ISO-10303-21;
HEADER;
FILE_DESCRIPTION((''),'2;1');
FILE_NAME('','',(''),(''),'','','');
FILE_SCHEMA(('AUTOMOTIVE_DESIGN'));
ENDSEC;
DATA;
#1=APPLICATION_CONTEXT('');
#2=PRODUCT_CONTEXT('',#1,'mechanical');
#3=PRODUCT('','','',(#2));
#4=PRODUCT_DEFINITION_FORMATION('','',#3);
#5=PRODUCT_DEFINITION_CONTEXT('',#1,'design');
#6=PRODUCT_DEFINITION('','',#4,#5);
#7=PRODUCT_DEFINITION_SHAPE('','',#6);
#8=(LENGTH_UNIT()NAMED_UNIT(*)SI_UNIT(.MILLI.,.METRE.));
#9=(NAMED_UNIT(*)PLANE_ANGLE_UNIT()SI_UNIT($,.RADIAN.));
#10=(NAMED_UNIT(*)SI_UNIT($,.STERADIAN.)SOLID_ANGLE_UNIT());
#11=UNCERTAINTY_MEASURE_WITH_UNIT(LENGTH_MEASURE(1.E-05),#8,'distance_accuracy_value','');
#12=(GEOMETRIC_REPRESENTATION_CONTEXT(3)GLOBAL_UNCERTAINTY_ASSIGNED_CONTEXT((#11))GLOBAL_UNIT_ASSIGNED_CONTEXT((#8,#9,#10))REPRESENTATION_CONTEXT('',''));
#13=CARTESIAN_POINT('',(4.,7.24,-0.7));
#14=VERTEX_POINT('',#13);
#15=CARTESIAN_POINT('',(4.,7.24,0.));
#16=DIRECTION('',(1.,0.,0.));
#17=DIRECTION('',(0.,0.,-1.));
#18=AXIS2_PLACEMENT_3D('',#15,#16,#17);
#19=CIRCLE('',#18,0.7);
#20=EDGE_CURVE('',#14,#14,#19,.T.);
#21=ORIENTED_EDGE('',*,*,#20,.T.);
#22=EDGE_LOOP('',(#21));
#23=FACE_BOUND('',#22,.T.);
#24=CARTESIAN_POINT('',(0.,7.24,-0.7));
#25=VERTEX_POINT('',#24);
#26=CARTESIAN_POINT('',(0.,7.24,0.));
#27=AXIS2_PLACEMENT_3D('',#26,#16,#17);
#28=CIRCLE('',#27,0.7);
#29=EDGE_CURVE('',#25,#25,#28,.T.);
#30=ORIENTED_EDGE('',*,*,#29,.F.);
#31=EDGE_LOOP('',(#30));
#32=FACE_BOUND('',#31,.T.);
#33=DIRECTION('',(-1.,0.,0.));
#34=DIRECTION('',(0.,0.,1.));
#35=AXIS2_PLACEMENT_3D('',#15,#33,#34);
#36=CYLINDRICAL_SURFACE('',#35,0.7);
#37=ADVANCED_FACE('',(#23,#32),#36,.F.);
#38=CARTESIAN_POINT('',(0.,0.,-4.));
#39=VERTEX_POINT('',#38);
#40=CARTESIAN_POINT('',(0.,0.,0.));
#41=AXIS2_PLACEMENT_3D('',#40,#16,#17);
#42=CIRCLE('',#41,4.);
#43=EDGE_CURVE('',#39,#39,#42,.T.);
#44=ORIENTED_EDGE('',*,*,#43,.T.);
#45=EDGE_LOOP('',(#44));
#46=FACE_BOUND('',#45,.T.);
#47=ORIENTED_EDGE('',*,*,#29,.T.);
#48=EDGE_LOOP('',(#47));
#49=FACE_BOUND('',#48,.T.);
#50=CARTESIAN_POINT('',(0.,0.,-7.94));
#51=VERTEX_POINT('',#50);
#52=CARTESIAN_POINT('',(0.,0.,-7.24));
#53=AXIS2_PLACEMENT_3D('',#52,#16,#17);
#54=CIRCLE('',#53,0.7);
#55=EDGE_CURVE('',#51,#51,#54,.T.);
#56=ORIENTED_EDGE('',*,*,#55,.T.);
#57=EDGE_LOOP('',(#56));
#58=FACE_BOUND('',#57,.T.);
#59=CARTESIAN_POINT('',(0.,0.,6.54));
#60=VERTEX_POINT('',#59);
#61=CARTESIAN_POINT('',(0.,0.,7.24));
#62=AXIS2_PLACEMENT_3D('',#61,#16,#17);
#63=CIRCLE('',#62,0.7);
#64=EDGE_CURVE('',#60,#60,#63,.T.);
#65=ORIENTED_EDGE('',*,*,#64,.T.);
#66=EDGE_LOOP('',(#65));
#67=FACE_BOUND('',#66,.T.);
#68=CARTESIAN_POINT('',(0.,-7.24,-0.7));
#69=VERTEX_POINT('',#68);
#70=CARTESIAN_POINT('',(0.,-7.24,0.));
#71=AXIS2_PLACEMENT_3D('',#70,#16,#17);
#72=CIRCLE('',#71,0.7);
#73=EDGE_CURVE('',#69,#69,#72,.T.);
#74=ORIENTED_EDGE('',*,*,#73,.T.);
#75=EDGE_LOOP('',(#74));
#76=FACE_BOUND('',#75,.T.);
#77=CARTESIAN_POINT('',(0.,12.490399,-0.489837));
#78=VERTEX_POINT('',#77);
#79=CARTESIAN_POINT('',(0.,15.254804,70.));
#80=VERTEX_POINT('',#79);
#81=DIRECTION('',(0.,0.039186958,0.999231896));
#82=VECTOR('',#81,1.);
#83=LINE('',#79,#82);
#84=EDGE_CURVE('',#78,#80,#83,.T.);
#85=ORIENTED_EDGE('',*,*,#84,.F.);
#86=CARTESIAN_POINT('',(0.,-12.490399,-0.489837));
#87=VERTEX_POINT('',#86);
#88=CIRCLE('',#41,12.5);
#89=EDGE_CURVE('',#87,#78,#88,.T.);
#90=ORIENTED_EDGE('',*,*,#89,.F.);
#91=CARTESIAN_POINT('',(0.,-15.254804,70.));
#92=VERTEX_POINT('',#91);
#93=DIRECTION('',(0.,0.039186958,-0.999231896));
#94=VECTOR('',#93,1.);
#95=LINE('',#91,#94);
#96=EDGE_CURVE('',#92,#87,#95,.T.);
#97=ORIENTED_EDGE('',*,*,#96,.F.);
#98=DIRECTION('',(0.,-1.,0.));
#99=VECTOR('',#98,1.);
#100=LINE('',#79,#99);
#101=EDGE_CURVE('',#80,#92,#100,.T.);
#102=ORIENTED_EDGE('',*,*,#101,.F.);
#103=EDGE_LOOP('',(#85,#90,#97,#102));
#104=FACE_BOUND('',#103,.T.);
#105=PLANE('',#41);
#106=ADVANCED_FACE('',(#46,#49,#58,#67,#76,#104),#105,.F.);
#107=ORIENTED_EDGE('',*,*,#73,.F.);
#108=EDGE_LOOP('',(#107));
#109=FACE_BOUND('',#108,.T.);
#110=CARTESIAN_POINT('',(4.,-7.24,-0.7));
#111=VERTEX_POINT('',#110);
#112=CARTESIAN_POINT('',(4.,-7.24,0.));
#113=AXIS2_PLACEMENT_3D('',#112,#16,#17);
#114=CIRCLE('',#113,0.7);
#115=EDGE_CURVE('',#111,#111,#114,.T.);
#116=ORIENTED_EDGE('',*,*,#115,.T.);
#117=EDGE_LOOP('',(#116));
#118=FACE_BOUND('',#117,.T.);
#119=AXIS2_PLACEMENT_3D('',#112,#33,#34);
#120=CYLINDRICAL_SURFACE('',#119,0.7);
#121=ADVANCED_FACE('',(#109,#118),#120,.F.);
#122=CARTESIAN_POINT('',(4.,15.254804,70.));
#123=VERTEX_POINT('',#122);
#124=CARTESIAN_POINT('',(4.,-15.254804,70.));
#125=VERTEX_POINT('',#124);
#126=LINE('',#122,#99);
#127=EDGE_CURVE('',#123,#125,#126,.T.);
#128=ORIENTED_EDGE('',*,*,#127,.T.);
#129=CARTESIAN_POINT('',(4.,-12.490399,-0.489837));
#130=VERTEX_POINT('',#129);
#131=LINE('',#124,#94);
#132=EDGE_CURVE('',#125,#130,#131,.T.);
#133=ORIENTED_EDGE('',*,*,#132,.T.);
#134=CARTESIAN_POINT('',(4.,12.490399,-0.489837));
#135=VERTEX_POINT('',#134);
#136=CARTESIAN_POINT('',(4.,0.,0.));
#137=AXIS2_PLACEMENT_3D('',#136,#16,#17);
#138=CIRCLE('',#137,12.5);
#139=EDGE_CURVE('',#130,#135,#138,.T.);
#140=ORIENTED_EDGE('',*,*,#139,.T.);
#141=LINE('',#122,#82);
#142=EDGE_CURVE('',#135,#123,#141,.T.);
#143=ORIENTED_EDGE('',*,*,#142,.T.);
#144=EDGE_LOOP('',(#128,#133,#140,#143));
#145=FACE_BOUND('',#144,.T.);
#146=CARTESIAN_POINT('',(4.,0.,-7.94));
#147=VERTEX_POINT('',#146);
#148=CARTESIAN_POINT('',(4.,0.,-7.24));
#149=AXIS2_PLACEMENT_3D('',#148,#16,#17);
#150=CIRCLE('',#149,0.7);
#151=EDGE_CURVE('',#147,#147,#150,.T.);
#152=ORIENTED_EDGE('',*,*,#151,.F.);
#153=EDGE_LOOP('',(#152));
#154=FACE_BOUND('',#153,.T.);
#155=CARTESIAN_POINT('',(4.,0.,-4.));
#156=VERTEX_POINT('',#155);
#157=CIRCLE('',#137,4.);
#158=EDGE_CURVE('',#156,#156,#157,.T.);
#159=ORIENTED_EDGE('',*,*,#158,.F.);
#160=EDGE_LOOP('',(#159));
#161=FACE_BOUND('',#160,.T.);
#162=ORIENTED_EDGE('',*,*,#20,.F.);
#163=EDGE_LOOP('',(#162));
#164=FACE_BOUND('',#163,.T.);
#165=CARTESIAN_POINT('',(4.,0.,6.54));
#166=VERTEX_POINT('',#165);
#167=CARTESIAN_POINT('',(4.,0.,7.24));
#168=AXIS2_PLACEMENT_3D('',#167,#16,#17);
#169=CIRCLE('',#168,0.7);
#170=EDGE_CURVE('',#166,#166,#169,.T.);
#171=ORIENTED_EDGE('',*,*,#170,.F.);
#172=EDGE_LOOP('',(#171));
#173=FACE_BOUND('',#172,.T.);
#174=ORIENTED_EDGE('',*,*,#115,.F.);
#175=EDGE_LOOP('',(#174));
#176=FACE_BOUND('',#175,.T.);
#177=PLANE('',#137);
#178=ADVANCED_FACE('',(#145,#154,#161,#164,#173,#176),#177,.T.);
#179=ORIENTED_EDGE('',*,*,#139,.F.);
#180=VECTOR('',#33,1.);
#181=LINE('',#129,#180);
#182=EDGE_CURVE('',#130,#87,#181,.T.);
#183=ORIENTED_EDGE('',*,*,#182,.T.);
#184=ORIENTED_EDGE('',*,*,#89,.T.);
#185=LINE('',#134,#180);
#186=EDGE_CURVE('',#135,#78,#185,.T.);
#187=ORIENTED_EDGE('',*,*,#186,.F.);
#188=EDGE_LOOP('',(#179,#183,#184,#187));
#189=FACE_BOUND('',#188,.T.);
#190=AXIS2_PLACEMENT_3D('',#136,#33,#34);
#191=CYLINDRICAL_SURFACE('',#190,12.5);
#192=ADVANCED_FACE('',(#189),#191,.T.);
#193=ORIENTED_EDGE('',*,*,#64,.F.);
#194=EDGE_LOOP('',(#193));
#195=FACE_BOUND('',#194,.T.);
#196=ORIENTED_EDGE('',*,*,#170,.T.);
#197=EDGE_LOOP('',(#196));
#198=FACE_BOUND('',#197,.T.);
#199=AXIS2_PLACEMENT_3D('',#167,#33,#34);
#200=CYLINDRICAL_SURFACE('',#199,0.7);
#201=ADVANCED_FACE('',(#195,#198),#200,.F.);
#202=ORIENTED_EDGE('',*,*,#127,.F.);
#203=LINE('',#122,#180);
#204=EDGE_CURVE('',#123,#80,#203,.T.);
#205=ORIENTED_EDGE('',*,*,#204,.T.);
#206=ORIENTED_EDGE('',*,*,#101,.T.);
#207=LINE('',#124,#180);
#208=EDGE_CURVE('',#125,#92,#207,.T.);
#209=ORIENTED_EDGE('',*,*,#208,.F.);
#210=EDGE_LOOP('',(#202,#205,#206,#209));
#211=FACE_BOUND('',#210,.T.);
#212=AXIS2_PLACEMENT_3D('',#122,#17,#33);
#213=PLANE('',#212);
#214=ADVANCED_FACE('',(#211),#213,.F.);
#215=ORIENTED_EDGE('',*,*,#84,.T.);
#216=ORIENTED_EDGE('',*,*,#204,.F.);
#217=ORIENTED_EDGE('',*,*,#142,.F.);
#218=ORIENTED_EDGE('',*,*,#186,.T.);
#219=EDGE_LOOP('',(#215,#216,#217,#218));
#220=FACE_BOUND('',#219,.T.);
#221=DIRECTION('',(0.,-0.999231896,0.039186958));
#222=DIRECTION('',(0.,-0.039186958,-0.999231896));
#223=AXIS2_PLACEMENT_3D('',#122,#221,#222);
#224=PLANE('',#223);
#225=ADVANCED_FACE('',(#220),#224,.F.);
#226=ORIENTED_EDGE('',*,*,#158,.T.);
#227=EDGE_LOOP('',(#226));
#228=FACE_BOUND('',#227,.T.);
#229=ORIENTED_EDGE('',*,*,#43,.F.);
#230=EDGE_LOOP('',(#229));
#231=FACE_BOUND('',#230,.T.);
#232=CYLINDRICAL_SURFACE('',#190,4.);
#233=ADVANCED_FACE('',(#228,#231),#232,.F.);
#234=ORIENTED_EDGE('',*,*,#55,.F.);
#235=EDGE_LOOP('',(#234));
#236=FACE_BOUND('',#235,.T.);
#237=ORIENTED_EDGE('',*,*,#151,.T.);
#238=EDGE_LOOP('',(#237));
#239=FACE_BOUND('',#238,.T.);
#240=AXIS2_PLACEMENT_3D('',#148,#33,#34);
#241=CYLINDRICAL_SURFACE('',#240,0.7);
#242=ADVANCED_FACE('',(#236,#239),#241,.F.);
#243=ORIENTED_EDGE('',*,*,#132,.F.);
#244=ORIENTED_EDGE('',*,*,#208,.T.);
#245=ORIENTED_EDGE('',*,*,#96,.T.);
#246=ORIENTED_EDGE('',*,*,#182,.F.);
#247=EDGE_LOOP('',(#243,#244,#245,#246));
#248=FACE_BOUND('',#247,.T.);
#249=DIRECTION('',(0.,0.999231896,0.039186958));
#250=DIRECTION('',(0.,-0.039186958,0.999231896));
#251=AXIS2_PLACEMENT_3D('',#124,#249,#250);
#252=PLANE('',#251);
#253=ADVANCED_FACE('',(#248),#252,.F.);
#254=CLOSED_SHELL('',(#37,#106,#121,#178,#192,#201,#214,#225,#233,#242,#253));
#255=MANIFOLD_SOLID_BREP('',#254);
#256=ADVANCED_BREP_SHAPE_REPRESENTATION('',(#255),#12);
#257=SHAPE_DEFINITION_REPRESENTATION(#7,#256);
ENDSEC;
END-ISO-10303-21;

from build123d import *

# Parameters (mm, degrees)
SKETCH1_R           = 4
SKETCH1_R_2         = 0.7
BOSS_EXTRUDE1_DEPTH = 4


with BuildPart() as part:
    # Sketch1 → Boss-Extrude1 (new body)
    with BuildSketch(Plane(origin=(0, 0, 0), x_dir=(0, 0, -1), z_dir=(1, 0, 0))):
        with BuildLine():
            Line((-70, 15.254804339), (-70, -15.254804339))
            Line((-70, -15.254804339), (0.489836976, -12.490398702))
            ThreePointArc((0.489836976, -12.490398702), (12.5, 0), (0.489836976, 12.490398702))
            Line((0.489836976, 12.490398702), (-70, 15.254804339))
        make_face()
        Circle(SKETCH1_R, mode=Mode.SUBTRACT)
        with Locations((-7.24, 0)):
            Circle(SKETCH1_R_2, mode=Mode.SUBTRACT)
        with Locations((0, 7.24)):
            Circle(SKETCH1_R_2, mode=Mode.SUBTRACT)
        with Locations((7.24, 0)):
            Circle(SKETCH1_R_2, mode=Mode.SUBTRACT)
        with Locations((0, -7.24)):
            Circle(SKETCH1_R_2, mode=Mode.SUBTRACT)
    extrude(amount=BOSS_EXTRUDE1_DEPTH)


solid = part.part
